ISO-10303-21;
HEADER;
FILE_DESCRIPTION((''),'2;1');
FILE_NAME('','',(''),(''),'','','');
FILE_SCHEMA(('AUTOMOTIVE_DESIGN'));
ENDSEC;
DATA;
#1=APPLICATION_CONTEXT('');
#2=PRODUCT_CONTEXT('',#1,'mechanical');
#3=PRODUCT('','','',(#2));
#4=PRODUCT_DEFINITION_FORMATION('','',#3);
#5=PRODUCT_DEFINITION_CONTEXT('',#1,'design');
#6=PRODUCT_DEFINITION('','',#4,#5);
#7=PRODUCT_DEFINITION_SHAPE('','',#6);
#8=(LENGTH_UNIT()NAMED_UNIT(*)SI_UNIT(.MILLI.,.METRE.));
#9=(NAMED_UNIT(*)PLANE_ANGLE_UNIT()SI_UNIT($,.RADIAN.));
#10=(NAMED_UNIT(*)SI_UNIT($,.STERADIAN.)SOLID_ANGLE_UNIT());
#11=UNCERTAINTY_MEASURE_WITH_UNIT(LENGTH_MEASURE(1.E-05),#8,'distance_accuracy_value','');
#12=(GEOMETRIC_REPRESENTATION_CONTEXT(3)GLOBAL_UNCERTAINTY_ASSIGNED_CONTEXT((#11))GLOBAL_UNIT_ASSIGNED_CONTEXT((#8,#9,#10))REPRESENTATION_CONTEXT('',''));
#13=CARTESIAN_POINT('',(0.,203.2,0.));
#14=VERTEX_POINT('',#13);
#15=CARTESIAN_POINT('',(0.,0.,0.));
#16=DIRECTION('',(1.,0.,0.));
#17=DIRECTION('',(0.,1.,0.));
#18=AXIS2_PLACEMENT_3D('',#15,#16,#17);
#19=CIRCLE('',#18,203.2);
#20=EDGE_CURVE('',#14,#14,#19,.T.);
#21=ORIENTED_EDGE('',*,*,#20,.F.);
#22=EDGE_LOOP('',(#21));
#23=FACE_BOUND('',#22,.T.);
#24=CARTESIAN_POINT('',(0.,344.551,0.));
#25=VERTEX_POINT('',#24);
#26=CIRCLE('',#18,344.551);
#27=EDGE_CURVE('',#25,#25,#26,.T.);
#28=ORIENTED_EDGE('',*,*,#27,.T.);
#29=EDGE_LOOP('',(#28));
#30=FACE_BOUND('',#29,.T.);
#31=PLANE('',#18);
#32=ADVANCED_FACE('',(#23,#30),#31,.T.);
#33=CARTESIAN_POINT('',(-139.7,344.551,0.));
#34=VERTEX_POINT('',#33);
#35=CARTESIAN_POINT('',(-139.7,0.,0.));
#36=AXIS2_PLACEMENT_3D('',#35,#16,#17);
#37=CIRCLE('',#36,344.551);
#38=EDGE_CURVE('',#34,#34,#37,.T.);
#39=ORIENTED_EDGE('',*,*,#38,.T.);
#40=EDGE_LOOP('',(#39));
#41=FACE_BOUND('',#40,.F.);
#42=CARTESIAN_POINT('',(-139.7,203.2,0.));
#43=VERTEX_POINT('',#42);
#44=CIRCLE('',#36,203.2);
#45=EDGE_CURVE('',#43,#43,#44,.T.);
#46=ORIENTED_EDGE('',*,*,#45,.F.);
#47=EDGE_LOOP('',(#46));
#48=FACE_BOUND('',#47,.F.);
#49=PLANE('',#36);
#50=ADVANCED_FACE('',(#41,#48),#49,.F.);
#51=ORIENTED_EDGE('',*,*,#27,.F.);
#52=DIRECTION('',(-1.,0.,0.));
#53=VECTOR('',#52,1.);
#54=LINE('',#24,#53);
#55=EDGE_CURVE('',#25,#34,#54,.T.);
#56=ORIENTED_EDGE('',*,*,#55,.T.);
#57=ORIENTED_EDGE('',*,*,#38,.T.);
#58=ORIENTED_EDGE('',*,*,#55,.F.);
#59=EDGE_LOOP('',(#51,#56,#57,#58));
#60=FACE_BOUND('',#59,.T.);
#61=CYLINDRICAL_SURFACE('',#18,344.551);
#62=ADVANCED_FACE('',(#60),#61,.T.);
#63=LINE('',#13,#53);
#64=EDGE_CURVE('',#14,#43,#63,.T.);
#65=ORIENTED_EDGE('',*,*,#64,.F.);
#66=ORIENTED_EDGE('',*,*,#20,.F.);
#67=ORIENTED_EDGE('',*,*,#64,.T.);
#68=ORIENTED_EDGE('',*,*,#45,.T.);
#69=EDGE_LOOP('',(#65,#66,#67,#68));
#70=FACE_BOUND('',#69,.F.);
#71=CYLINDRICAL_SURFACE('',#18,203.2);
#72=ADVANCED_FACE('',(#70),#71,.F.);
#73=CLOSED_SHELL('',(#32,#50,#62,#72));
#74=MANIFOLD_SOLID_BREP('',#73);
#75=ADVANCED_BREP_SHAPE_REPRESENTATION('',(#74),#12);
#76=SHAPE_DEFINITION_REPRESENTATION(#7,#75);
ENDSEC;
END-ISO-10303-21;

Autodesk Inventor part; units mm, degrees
ref_plane "YZ Plane" through (0, 0, 0) normal (1, 0, 0) x (0, 1, 0)
ref_plane "XY Plane" through (0, 0, 0) normal (0, 0, 1) x (1, 0, 0)
sketch "Sketch1" plane through (0, 0, 0) normal (1, 0, 0) x (0, 1, 0)
  circle A0 centre (0, 0) radius 203.2
  circle A1 centre (0, 0) radius 344.551
  dimension "d0" = 406.4
  dimension "d1" = 689.102
extrude "Extrusion1" add sketch "Sketch1" against normal blind 139.7
ref_plane "Work Plane2" through (0, 344.551, 0) normal (0, 1, 0) x (-1, 0, 0)
ref_plane "Work Plane1" through (0, -344.551, 0) normal (0, 1, 0) x (-1, 0, 0)
properties part number "Tire"
